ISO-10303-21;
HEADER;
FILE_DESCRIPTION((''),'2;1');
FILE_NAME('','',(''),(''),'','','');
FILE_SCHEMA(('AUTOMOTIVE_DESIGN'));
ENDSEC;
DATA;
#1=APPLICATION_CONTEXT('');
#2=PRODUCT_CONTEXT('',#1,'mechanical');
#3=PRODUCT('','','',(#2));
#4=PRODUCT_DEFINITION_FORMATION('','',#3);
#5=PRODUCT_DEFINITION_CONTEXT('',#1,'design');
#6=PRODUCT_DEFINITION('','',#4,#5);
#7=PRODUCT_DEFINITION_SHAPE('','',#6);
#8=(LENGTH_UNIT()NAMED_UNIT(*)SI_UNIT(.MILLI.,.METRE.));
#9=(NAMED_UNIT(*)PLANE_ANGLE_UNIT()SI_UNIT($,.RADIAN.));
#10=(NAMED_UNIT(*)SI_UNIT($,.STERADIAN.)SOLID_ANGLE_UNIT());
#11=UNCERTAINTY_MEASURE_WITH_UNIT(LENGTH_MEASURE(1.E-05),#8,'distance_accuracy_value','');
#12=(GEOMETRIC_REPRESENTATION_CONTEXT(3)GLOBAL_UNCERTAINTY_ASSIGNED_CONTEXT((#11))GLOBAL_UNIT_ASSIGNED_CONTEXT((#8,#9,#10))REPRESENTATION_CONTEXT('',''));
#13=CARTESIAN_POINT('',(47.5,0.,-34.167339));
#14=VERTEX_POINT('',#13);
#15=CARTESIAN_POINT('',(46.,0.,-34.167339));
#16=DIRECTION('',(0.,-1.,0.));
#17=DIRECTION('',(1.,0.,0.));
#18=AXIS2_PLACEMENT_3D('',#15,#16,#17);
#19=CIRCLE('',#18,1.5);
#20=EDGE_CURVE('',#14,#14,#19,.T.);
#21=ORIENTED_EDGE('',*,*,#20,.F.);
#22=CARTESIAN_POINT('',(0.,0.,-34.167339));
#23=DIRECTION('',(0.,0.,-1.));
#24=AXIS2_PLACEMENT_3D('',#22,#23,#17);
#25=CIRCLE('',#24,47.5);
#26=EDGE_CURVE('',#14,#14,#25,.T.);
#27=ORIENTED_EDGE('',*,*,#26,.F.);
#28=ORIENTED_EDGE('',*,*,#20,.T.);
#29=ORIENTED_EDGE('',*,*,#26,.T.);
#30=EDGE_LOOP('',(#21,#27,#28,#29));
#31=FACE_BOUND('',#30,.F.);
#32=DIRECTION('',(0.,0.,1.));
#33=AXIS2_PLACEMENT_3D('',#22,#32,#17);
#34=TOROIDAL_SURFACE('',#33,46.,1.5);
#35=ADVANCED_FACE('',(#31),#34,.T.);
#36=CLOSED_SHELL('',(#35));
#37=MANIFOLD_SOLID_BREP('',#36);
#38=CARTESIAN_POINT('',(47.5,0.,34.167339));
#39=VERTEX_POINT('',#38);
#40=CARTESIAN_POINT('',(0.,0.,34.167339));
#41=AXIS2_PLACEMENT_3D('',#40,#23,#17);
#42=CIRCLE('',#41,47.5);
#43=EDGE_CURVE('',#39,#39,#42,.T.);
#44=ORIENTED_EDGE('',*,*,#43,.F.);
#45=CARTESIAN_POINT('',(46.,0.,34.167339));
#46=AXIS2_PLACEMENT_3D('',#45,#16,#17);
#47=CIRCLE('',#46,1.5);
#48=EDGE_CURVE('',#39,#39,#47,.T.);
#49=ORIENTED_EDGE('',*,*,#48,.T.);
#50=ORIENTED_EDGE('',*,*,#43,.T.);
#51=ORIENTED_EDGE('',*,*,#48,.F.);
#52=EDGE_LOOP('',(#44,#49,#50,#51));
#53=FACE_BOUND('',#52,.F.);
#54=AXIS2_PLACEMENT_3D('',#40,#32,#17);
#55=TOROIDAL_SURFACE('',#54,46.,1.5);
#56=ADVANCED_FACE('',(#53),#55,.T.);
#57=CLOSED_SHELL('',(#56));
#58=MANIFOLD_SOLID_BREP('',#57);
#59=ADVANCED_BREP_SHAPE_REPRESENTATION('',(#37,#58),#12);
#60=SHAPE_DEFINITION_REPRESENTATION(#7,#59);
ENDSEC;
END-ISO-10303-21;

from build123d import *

# Parameters (mm, degrees)
F1_R = 1.5


with BuildPart() as f2:
    # F1 (on Front) → F2 (revolve)
    with BuildSketch(Plane.XZ):
        with Locations((46, -34.167339)):
            Circle(F1_R)
        with Locations((46, 34.167339)):
            Circle(F1_R)
    revolve(axis=Axis((0, 0, 0.444556), (0, 0, -1)))


solid = f2.part
